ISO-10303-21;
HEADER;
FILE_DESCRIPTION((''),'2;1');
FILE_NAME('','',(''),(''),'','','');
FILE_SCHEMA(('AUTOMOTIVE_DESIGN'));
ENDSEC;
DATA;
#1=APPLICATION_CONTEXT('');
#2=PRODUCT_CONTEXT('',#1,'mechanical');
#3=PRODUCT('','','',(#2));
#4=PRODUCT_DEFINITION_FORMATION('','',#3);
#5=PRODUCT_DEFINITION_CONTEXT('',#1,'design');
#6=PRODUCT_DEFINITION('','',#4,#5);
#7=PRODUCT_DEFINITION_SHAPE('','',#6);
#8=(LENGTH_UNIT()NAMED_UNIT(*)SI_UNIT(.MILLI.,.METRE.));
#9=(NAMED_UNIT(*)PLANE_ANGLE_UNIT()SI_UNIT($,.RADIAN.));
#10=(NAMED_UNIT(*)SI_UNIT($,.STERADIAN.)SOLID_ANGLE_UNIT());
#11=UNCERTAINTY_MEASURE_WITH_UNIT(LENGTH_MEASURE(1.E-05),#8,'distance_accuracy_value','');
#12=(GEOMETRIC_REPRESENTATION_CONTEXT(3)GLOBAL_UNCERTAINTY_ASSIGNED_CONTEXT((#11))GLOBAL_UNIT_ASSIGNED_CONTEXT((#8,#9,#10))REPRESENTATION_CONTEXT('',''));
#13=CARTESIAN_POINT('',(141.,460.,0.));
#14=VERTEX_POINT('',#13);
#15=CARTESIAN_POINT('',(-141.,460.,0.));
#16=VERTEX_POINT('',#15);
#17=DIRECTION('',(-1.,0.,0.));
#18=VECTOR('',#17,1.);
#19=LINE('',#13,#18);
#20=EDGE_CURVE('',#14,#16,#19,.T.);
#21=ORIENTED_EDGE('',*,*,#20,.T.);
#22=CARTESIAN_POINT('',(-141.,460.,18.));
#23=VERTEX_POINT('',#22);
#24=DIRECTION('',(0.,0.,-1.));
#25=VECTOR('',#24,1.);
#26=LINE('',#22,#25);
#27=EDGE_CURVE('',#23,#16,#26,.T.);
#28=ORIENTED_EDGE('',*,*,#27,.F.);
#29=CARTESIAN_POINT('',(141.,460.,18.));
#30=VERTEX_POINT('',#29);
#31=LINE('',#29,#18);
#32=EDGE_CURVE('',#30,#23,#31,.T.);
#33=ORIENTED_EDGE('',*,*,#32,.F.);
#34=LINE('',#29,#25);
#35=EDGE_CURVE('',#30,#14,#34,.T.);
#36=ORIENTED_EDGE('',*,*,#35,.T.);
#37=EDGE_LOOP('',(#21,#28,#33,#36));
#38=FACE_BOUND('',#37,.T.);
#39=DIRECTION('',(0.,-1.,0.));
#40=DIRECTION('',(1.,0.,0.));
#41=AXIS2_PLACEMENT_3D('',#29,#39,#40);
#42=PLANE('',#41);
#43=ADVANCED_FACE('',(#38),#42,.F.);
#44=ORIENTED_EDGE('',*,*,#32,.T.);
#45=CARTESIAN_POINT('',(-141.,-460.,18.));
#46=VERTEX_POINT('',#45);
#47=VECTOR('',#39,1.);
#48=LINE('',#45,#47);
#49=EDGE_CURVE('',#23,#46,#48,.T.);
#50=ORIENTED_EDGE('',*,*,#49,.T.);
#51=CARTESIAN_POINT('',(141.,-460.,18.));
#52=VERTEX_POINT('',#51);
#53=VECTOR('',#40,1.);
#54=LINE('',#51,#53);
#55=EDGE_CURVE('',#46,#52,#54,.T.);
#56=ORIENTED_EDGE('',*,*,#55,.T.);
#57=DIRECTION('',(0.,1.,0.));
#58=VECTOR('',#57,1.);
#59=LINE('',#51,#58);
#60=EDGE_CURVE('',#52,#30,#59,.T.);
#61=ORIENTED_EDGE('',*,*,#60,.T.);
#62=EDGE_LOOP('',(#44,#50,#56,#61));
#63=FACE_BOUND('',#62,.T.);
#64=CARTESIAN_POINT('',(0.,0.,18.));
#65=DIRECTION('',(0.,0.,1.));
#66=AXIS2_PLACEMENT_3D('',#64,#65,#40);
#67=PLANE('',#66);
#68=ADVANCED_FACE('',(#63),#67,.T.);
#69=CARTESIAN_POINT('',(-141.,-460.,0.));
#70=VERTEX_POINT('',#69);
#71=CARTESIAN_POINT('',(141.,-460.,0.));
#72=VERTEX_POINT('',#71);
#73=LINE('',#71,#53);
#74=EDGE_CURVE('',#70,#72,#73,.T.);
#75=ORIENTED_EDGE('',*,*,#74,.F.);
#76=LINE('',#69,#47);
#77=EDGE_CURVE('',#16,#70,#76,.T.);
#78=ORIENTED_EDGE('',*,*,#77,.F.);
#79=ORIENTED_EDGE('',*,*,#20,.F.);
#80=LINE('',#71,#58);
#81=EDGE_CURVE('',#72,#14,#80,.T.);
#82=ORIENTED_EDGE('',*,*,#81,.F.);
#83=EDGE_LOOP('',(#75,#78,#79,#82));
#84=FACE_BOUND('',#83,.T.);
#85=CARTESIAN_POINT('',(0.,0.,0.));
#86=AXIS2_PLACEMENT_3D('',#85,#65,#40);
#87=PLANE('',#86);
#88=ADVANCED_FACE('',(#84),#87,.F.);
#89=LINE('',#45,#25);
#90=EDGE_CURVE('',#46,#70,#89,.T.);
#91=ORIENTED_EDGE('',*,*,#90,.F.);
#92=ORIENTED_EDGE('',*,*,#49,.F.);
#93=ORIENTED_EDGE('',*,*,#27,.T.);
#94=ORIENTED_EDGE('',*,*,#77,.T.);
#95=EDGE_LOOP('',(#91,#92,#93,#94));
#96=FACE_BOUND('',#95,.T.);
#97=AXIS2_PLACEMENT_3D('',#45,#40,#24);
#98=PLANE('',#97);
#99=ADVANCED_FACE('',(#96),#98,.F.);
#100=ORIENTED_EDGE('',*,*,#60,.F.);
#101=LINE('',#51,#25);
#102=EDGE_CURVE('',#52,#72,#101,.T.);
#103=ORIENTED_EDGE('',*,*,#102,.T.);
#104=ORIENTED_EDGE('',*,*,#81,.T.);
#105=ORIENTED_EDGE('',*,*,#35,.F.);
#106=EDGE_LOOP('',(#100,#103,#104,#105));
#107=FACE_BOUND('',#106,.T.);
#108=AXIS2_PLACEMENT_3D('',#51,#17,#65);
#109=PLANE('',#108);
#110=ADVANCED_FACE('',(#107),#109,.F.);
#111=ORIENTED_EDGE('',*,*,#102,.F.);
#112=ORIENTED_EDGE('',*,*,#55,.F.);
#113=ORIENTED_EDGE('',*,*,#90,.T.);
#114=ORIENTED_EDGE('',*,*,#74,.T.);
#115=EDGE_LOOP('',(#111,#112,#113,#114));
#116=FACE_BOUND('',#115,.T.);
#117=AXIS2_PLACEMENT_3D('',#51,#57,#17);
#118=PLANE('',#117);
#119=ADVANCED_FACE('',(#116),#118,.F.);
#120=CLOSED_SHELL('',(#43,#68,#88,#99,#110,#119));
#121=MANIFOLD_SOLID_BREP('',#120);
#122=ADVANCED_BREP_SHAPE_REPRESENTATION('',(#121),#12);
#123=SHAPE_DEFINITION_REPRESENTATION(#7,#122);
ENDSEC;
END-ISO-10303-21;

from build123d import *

# Parameters (mm, degrees)
SKETCH_1_W      = 282
SKETCH_1_H      = 920
EXTRUDE_1_DEPTH = 18


with BuildPart() as part:
    # Эскиз1 → Бобышка-Вытянуть1 (new body)
    with BuildSketch(Plane.XY):
        Rectangle(SKETCH_1_W, SKETCH_1_H)
    extrude(amount=EXTRUDE_1_DEPTH)


solid = part.part
